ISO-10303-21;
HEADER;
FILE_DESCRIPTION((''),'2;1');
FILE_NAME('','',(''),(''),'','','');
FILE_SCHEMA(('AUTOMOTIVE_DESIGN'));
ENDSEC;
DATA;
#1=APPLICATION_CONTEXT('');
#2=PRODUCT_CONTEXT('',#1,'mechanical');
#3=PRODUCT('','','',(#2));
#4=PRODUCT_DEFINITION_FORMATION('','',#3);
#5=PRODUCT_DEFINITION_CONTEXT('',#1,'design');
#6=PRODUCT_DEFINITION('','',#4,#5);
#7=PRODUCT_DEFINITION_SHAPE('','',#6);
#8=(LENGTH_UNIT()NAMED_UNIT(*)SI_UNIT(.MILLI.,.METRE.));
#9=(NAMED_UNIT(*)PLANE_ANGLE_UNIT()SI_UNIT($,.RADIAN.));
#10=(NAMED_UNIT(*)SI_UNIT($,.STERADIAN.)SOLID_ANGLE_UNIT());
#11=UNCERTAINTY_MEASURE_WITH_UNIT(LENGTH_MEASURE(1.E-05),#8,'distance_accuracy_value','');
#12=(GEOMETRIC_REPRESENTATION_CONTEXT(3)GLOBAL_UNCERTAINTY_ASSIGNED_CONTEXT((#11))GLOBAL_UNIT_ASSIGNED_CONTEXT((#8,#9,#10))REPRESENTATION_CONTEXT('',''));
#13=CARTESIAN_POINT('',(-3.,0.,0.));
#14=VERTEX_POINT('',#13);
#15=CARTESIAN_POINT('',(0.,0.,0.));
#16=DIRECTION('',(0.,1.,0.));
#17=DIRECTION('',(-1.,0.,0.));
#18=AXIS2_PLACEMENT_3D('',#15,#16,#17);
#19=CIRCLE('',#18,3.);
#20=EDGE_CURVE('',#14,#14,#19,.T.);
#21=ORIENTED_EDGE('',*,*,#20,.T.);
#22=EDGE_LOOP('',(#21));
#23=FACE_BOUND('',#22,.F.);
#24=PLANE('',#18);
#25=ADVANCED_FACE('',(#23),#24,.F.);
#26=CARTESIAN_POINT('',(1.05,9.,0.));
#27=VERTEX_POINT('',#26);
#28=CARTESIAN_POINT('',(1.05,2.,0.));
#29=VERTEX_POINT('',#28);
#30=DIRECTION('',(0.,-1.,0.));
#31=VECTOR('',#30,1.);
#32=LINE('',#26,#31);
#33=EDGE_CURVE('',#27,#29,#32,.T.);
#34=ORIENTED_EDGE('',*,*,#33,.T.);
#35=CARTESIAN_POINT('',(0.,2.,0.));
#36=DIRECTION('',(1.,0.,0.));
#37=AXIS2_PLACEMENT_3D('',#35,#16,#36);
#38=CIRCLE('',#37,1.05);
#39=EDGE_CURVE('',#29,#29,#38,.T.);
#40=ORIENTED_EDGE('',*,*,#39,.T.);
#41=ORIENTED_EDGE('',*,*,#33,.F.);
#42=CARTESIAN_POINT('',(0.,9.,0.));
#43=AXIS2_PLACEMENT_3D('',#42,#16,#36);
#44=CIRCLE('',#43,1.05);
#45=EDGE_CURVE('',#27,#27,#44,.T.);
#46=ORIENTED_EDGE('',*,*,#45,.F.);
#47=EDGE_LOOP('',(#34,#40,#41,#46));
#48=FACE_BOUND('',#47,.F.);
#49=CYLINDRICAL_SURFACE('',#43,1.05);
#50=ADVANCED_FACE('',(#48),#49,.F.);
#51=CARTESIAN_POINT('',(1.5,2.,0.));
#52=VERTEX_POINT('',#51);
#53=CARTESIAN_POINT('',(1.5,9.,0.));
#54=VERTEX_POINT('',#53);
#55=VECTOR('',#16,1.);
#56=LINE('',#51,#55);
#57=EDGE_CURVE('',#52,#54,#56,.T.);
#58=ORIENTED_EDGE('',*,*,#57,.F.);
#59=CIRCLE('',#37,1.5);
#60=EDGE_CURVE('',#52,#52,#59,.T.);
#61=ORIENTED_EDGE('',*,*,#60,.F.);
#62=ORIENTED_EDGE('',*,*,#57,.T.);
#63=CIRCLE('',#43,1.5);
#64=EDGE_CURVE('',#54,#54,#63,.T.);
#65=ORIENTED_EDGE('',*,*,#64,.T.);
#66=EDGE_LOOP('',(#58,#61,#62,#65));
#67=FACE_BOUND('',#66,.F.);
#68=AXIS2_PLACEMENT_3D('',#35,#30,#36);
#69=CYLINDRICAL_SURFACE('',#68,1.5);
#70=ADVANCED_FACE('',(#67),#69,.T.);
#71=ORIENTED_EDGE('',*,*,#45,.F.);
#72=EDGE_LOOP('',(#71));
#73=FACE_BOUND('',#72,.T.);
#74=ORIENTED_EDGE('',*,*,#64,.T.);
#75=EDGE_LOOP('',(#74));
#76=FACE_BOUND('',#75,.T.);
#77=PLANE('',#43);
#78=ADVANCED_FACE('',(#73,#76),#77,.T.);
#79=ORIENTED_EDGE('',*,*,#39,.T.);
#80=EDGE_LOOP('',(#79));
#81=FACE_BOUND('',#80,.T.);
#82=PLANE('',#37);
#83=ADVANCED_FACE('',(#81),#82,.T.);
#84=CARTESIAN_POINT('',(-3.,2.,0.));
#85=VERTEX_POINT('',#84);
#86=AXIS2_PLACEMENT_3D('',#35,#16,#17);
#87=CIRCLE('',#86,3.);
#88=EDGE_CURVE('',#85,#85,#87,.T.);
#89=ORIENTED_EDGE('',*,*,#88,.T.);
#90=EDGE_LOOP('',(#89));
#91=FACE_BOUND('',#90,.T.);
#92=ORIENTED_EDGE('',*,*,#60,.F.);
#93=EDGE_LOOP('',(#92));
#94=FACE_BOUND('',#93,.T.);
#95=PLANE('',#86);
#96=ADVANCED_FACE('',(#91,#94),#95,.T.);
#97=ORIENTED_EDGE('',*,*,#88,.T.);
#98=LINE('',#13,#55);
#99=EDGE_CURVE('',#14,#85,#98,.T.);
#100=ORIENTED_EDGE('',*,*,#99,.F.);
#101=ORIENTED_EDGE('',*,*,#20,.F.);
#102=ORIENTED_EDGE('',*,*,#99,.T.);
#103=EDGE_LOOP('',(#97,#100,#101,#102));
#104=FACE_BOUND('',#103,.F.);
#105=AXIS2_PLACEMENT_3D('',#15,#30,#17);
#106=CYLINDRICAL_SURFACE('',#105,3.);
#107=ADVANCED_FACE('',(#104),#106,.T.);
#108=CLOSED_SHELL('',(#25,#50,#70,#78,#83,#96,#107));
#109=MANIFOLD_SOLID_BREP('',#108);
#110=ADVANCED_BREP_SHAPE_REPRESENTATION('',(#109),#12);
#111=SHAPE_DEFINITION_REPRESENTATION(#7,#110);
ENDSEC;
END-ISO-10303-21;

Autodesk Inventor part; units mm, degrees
ref_plane "YZ Plane" through (0, 0, 0) normal (1, 0, 0) x (0, 1, 0)
ref_plane "XZ Plane" through (0, 0, 0) normal (0, 1, 0) x (-1, 0, 0)
ref_plane "XY Plane" through (0, 0, 0) normal (0, 0, 1) x (1, 0, 0)
sketch "Náčrt1" plane through (0, 0, 0) normal (0, 1, 0) x (-1, 0, 0)
  circle A0 centre (0, 0) radius 3
  dimension "d0" = 6
extrude "Vysunutí1" add sketch "Náčrt1" along normal blind 2
sketch "Náčrt2" plane through (0, 2, 0) normal (0, 1, 0) x (1, 0, 0)
  circle A0 centre (0, 0) radius 1.5
  dimension "d3" = 3
extrude "Vysunutí2" add sketch "Náčrt2" along normal blind 7
sketch "Náčrt3" plane through (0, 9, 0) normal (0, 1, 0) x (1, 0, 0)
  circle A0 centre (0, 0) radius 1.05
  dimension "d6" = 2.1
extrude "Vysunutí3" cut sketch "Náčrt3" against normal blind 7
properties part number "Čepička RTC"
